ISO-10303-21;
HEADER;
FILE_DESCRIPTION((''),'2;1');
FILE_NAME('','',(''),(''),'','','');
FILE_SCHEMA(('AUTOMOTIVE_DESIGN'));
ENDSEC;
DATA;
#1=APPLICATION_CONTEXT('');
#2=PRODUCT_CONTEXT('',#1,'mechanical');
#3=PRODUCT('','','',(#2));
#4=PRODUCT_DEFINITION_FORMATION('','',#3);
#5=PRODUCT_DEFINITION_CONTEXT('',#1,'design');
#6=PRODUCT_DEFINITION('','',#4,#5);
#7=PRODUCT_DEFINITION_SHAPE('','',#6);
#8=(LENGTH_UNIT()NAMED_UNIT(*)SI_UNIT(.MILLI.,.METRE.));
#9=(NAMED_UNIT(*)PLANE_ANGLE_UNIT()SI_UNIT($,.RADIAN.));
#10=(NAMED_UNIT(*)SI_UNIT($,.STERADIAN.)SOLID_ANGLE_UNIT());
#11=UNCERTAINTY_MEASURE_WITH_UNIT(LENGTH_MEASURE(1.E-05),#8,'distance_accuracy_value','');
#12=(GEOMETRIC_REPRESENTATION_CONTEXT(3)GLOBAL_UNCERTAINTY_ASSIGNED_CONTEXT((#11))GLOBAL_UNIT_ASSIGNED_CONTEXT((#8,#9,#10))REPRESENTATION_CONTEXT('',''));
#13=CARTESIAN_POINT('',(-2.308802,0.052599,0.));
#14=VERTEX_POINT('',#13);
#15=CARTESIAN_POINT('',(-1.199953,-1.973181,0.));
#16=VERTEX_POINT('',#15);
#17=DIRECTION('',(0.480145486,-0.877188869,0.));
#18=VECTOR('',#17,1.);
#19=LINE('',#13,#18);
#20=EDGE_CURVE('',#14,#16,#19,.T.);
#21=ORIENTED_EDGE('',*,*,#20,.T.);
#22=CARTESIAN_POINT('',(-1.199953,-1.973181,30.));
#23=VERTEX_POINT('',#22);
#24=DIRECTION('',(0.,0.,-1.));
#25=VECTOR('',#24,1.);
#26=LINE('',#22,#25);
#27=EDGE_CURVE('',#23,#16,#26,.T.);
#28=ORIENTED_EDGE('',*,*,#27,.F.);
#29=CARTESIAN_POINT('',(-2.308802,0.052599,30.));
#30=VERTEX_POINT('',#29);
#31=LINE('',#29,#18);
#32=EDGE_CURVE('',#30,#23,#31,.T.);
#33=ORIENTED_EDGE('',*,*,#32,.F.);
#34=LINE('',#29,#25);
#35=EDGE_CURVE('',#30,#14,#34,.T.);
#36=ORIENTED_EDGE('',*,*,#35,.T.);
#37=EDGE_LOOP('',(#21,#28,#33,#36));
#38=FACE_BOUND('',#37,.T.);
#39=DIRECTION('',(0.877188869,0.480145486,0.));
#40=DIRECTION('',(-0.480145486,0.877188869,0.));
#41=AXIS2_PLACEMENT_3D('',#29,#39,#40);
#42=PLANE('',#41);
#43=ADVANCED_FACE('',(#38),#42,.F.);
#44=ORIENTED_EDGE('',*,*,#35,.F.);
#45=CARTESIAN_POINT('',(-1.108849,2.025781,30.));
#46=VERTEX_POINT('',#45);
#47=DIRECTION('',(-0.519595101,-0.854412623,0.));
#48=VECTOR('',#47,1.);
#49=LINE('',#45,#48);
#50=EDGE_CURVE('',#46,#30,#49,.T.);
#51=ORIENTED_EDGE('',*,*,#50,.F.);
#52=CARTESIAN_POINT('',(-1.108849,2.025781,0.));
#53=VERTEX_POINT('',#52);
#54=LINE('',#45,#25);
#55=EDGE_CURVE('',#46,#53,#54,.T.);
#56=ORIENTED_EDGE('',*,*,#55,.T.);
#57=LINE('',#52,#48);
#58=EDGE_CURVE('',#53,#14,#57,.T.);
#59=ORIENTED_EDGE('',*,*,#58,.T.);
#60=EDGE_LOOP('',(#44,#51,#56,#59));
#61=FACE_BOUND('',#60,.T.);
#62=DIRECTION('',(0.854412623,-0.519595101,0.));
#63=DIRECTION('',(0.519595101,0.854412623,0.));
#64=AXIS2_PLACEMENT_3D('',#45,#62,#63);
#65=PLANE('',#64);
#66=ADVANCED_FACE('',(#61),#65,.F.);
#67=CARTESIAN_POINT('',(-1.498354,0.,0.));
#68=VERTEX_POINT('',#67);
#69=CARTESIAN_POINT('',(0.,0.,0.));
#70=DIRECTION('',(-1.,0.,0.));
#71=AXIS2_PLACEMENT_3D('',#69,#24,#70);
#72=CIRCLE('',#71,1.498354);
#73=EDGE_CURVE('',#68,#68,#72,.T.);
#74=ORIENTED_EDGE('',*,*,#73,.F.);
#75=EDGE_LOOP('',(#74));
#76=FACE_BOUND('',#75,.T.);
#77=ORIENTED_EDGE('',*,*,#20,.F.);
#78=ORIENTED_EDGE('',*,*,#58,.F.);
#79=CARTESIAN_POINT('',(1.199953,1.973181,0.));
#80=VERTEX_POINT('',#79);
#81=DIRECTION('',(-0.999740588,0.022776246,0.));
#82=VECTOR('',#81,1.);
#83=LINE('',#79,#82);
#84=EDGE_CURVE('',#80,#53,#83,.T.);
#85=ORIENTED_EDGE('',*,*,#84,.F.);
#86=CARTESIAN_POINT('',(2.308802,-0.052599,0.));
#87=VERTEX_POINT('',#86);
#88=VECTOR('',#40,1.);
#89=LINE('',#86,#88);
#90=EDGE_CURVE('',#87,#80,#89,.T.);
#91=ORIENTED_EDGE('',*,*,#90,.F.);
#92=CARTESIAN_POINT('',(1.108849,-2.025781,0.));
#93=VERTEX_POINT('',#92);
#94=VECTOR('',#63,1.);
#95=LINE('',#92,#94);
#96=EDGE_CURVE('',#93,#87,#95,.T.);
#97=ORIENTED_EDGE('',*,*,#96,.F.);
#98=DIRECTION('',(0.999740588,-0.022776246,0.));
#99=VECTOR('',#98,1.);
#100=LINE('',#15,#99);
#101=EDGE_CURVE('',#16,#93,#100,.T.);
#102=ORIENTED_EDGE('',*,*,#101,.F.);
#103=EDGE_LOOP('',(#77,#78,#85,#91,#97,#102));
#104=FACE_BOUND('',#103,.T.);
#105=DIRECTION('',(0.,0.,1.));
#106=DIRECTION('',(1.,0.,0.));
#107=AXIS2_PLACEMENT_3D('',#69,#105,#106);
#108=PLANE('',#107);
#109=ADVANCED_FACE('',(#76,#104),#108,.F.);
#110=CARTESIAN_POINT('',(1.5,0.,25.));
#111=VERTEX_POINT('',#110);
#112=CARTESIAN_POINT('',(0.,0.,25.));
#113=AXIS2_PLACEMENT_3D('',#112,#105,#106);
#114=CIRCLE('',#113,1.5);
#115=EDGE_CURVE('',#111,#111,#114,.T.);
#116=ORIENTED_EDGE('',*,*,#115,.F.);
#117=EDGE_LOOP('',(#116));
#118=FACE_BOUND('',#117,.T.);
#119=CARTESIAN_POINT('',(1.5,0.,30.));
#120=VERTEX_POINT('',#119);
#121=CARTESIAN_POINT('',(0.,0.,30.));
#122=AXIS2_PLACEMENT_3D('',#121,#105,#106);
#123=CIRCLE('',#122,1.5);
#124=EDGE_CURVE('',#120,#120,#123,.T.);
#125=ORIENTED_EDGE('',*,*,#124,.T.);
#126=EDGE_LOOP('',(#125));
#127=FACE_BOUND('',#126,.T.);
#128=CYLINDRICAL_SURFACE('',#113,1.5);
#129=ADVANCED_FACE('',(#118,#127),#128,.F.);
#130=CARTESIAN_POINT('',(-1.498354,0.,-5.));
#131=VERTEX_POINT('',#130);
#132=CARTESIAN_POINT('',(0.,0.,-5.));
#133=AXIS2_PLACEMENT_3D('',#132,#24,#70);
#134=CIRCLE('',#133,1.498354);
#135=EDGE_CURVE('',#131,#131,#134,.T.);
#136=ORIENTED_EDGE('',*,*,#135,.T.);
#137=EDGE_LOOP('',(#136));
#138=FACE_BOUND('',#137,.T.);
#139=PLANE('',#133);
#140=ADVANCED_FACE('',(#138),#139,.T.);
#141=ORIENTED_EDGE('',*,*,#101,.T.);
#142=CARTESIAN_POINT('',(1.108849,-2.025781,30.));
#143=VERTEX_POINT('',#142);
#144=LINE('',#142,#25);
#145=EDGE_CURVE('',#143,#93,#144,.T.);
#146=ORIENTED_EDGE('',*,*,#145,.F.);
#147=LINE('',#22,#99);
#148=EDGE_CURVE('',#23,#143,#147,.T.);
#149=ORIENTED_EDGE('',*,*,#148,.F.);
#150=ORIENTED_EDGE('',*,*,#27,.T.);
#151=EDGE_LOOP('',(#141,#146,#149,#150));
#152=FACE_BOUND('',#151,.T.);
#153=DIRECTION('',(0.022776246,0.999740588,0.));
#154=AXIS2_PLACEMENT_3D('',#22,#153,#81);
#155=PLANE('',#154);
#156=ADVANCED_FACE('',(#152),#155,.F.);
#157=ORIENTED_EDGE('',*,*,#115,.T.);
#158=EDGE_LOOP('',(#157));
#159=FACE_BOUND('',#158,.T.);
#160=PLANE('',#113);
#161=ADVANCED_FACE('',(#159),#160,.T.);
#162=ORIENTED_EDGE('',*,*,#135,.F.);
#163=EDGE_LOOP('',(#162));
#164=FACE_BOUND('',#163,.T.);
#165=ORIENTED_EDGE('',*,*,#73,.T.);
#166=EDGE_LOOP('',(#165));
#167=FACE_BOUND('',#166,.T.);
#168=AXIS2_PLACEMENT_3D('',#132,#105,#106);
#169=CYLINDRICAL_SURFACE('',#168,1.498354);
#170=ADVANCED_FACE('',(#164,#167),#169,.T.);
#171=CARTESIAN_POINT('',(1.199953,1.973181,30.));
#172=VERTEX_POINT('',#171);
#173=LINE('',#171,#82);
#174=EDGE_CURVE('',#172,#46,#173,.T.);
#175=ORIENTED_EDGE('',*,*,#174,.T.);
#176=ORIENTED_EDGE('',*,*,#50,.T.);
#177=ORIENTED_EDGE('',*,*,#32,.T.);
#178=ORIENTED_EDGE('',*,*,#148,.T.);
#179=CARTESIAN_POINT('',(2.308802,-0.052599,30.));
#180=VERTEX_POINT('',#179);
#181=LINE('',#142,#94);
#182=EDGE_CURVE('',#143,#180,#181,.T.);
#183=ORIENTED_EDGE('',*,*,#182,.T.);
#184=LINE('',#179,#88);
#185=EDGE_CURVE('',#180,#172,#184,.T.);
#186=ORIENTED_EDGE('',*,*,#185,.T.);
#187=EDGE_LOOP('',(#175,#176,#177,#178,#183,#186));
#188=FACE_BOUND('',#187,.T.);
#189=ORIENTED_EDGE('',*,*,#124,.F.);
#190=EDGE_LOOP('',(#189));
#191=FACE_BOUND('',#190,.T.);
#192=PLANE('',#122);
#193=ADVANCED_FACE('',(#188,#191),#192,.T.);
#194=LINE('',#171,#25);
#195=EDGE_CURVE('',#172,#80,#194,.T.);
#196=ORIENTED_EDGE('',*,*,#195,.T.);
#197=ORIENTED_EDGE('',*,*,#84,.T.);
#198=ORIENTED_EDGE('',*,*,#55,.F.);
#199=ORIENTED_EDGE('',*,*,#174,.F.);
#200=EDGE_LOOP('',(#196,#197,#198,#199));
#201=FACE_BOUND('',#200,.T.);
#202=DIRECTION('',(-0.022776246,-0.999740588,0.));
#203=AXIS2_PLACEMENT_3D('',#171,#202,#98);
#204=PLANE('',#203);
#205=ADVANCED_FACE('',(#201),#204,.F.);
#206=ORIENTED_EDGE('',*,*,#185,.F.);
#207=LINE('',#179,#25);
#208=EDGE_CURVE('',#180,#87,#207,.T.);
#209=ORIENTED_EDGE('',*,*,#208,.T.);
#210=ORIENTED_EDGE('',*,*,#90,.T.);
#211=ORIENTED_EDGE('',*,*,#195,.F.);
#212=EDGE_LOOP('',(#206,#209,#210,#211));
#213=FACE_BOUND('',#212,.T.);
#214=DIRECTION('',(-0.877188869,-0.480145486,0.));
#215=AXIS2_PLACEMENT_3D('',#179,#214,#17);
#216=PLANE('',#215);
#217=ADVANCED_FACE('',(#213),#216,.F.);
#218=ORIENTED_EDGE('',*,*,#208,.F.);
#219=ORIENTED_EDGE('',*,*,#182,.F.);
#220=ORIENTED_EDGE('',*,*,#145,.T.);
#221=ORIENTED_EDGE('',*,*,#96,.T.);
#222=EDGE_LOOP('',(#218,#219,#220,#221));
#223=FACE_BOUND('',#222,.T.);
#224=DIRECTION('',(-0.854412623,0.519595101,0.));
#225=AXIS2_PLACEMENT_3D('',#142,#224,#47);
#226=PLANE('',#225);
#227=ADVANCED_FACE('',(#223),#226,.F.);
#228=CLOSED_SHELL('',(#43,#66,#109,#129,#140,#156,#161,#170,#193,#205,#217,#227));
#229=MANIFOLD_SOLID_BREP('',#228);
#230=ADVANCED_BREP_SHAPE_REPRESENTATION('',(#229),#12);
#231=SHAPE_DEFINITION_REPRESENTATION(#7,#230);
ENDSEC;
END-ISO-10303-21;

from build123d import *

# Parameters (mm, degrees)
EXTRUDE_2_DEPTH     = 30
SKETCH_5_R          = 1.498354352
EXTRUDE_3_DEPTH     = 5
SKETCH_6_R          = 1.5
CUT_EXTRUDE_1_DEPTH = 5


with BuildPart() as part:
    # 草图4 → 凸台-拉伸2 (new body)
    with BuildSketch(Plane.XY):
        Polygon((1.108848503, -2.025780919), (2.30880199, -0.052599487), (1.199953487, 1.973181432), (-1.108848503, 2.025780919), (-2.30880199, 0.052599487), (-1.199953487, -1.973181432), align=None)
    extrude(amount=EXTRUDE_2_DEPTH)

    # 草图5 → 凸台-拉伸3 (add)
    with BuildSketch(Plane(origin=(0, 0, 0), x_dir=(-1, 0, 0), z_dir=(0, 0, -1))):
        Circle(SKETCH_5_R)
    extrude(amount=EXTRUDE_3_DEPTH)

    # 草图6 → 切除-拉伸1 (cut)
    with BuildSketch(Plane.XY.offset(30)):
        Circle(SKETCH_6_R)
    extrude(amount=-CUT_EXTRUDE_1_DEPTH, mode=Mode.SUBTRACT)


solid = part.part
